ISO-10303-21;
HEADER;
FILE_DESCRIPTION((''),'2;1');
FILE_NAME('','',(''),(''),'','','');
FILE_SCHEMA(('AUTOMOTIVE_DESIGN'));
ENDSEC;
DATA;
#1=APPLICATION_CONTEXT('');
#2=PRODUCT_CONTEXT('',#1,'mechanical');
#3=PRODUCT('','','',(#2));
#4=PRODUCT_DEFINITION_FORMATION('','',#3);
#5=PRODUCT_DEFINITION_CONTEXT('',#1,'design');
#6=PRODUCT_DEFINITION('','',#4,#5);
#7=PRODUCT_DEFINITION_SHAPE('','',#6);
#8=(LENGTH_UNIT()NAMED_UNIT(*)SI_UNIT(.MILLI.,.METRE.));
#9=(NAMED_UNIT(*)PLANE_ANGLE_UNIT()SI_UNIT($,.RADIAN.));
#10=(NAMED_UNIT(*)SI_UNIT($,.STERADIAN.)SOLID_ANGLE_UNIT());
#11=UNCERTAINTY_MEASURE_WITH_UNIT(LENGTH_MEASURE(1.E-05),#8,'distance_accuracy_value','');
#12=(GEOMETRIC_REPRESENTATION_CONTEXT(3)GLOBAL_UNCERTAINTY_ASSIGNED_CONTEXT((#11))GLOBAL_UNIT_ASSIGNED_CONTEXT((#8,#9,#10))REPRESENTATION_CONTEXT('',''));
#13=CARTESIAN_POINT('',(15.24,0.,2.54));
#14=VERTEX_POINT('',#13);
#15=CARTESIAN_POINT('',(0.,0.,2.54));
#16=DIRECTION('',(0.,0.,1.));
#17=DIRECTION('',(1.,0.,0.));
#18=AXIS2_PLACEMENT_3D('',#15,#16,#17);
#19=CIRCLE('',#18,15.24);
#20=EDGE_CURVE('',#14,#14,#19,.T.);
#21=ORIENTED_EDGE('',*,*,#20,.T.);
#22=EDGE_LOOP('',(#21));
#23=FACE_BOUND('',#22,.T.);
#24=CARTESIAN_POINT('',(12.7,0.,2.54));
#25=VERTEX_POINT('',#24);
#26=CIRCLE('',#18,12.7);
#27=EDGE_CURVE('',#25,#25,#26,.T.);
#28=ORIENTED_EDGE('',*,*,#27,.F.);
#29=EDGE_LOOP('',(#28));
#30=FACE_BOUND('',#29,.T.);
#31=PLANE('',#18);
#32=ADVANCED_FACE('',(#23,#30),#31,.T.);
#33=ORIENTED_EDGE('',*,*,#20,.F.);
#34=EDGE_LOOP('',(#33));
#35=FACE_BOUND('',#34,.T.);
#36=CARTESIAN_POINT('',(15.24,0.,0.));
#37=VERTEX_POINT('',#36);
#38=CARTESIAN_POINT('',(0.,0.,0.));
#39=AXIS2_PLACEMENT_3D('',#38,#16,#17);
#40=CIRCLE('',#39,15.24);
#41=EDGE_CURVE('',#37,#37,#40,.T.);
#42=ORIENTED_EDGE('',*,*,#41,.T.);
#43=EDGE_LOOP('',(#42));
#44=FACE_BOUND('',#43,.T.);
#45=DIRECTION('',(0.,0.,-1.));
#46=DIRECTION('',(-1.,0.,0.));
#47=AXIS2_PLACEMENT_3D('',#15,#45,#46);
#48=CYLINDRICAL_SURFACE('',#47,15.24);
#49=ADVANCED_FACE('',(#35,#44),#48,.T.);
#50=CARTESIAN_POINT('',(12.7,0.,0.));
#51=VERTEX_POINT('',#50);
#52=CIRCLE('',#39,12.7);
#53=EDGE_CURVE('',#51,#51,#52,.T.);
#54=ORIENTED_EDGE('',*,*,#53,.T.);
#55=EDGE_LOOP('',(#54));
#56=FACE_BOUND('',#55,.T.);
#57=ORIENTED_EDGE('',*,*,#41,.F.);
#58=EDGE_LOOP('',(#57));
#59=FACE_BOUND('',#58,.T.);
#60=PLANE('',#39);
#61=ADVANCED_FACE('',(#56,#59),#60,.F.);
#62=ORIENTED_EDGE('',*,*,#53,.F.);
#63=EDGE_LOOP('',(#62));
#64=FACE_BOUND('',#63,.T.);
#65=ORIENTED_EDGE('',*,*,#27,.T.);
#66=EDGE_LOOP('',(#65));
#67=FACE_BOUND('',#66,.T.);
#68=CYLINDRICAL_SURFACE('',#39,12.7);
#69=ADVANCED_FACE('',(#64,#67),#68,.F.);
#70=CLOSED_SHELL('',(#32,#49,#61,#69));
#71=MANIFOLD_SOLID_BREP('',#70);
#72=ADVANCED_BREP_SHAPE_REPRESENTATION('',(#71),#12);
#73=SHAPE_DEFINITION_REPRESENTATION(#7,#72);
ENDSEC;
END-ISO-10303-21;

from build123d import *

# Parameters (mm, degrees)
SKETCH1_R           = 15.24
BOSS_EXTRUDE1_DEPTH = 2.54
SKETCH2_R           = 12.7
CUT_EXTRUDE1_DEPTH  = 3.54


with BuildPart() as part:
    # Sketch1 → Boss-Extrude1 (new body)
    with BuildSketch(Plane.XY):
        Circle(SKETCH1_R)
    extrude(amount=BOSS_EXTRUDE1_DEPTH)

    # Sketch2 → Cut-Extrude1 (cut, through all)
    with BuildSketch(Plane.XY.offset(2.54)):
        Circle(SKETCH2_R)
    extrude(amount=-CUT_EXTRUDE1_DEPTH, mode=Mode.SUBTRACT)


solid = part.part
